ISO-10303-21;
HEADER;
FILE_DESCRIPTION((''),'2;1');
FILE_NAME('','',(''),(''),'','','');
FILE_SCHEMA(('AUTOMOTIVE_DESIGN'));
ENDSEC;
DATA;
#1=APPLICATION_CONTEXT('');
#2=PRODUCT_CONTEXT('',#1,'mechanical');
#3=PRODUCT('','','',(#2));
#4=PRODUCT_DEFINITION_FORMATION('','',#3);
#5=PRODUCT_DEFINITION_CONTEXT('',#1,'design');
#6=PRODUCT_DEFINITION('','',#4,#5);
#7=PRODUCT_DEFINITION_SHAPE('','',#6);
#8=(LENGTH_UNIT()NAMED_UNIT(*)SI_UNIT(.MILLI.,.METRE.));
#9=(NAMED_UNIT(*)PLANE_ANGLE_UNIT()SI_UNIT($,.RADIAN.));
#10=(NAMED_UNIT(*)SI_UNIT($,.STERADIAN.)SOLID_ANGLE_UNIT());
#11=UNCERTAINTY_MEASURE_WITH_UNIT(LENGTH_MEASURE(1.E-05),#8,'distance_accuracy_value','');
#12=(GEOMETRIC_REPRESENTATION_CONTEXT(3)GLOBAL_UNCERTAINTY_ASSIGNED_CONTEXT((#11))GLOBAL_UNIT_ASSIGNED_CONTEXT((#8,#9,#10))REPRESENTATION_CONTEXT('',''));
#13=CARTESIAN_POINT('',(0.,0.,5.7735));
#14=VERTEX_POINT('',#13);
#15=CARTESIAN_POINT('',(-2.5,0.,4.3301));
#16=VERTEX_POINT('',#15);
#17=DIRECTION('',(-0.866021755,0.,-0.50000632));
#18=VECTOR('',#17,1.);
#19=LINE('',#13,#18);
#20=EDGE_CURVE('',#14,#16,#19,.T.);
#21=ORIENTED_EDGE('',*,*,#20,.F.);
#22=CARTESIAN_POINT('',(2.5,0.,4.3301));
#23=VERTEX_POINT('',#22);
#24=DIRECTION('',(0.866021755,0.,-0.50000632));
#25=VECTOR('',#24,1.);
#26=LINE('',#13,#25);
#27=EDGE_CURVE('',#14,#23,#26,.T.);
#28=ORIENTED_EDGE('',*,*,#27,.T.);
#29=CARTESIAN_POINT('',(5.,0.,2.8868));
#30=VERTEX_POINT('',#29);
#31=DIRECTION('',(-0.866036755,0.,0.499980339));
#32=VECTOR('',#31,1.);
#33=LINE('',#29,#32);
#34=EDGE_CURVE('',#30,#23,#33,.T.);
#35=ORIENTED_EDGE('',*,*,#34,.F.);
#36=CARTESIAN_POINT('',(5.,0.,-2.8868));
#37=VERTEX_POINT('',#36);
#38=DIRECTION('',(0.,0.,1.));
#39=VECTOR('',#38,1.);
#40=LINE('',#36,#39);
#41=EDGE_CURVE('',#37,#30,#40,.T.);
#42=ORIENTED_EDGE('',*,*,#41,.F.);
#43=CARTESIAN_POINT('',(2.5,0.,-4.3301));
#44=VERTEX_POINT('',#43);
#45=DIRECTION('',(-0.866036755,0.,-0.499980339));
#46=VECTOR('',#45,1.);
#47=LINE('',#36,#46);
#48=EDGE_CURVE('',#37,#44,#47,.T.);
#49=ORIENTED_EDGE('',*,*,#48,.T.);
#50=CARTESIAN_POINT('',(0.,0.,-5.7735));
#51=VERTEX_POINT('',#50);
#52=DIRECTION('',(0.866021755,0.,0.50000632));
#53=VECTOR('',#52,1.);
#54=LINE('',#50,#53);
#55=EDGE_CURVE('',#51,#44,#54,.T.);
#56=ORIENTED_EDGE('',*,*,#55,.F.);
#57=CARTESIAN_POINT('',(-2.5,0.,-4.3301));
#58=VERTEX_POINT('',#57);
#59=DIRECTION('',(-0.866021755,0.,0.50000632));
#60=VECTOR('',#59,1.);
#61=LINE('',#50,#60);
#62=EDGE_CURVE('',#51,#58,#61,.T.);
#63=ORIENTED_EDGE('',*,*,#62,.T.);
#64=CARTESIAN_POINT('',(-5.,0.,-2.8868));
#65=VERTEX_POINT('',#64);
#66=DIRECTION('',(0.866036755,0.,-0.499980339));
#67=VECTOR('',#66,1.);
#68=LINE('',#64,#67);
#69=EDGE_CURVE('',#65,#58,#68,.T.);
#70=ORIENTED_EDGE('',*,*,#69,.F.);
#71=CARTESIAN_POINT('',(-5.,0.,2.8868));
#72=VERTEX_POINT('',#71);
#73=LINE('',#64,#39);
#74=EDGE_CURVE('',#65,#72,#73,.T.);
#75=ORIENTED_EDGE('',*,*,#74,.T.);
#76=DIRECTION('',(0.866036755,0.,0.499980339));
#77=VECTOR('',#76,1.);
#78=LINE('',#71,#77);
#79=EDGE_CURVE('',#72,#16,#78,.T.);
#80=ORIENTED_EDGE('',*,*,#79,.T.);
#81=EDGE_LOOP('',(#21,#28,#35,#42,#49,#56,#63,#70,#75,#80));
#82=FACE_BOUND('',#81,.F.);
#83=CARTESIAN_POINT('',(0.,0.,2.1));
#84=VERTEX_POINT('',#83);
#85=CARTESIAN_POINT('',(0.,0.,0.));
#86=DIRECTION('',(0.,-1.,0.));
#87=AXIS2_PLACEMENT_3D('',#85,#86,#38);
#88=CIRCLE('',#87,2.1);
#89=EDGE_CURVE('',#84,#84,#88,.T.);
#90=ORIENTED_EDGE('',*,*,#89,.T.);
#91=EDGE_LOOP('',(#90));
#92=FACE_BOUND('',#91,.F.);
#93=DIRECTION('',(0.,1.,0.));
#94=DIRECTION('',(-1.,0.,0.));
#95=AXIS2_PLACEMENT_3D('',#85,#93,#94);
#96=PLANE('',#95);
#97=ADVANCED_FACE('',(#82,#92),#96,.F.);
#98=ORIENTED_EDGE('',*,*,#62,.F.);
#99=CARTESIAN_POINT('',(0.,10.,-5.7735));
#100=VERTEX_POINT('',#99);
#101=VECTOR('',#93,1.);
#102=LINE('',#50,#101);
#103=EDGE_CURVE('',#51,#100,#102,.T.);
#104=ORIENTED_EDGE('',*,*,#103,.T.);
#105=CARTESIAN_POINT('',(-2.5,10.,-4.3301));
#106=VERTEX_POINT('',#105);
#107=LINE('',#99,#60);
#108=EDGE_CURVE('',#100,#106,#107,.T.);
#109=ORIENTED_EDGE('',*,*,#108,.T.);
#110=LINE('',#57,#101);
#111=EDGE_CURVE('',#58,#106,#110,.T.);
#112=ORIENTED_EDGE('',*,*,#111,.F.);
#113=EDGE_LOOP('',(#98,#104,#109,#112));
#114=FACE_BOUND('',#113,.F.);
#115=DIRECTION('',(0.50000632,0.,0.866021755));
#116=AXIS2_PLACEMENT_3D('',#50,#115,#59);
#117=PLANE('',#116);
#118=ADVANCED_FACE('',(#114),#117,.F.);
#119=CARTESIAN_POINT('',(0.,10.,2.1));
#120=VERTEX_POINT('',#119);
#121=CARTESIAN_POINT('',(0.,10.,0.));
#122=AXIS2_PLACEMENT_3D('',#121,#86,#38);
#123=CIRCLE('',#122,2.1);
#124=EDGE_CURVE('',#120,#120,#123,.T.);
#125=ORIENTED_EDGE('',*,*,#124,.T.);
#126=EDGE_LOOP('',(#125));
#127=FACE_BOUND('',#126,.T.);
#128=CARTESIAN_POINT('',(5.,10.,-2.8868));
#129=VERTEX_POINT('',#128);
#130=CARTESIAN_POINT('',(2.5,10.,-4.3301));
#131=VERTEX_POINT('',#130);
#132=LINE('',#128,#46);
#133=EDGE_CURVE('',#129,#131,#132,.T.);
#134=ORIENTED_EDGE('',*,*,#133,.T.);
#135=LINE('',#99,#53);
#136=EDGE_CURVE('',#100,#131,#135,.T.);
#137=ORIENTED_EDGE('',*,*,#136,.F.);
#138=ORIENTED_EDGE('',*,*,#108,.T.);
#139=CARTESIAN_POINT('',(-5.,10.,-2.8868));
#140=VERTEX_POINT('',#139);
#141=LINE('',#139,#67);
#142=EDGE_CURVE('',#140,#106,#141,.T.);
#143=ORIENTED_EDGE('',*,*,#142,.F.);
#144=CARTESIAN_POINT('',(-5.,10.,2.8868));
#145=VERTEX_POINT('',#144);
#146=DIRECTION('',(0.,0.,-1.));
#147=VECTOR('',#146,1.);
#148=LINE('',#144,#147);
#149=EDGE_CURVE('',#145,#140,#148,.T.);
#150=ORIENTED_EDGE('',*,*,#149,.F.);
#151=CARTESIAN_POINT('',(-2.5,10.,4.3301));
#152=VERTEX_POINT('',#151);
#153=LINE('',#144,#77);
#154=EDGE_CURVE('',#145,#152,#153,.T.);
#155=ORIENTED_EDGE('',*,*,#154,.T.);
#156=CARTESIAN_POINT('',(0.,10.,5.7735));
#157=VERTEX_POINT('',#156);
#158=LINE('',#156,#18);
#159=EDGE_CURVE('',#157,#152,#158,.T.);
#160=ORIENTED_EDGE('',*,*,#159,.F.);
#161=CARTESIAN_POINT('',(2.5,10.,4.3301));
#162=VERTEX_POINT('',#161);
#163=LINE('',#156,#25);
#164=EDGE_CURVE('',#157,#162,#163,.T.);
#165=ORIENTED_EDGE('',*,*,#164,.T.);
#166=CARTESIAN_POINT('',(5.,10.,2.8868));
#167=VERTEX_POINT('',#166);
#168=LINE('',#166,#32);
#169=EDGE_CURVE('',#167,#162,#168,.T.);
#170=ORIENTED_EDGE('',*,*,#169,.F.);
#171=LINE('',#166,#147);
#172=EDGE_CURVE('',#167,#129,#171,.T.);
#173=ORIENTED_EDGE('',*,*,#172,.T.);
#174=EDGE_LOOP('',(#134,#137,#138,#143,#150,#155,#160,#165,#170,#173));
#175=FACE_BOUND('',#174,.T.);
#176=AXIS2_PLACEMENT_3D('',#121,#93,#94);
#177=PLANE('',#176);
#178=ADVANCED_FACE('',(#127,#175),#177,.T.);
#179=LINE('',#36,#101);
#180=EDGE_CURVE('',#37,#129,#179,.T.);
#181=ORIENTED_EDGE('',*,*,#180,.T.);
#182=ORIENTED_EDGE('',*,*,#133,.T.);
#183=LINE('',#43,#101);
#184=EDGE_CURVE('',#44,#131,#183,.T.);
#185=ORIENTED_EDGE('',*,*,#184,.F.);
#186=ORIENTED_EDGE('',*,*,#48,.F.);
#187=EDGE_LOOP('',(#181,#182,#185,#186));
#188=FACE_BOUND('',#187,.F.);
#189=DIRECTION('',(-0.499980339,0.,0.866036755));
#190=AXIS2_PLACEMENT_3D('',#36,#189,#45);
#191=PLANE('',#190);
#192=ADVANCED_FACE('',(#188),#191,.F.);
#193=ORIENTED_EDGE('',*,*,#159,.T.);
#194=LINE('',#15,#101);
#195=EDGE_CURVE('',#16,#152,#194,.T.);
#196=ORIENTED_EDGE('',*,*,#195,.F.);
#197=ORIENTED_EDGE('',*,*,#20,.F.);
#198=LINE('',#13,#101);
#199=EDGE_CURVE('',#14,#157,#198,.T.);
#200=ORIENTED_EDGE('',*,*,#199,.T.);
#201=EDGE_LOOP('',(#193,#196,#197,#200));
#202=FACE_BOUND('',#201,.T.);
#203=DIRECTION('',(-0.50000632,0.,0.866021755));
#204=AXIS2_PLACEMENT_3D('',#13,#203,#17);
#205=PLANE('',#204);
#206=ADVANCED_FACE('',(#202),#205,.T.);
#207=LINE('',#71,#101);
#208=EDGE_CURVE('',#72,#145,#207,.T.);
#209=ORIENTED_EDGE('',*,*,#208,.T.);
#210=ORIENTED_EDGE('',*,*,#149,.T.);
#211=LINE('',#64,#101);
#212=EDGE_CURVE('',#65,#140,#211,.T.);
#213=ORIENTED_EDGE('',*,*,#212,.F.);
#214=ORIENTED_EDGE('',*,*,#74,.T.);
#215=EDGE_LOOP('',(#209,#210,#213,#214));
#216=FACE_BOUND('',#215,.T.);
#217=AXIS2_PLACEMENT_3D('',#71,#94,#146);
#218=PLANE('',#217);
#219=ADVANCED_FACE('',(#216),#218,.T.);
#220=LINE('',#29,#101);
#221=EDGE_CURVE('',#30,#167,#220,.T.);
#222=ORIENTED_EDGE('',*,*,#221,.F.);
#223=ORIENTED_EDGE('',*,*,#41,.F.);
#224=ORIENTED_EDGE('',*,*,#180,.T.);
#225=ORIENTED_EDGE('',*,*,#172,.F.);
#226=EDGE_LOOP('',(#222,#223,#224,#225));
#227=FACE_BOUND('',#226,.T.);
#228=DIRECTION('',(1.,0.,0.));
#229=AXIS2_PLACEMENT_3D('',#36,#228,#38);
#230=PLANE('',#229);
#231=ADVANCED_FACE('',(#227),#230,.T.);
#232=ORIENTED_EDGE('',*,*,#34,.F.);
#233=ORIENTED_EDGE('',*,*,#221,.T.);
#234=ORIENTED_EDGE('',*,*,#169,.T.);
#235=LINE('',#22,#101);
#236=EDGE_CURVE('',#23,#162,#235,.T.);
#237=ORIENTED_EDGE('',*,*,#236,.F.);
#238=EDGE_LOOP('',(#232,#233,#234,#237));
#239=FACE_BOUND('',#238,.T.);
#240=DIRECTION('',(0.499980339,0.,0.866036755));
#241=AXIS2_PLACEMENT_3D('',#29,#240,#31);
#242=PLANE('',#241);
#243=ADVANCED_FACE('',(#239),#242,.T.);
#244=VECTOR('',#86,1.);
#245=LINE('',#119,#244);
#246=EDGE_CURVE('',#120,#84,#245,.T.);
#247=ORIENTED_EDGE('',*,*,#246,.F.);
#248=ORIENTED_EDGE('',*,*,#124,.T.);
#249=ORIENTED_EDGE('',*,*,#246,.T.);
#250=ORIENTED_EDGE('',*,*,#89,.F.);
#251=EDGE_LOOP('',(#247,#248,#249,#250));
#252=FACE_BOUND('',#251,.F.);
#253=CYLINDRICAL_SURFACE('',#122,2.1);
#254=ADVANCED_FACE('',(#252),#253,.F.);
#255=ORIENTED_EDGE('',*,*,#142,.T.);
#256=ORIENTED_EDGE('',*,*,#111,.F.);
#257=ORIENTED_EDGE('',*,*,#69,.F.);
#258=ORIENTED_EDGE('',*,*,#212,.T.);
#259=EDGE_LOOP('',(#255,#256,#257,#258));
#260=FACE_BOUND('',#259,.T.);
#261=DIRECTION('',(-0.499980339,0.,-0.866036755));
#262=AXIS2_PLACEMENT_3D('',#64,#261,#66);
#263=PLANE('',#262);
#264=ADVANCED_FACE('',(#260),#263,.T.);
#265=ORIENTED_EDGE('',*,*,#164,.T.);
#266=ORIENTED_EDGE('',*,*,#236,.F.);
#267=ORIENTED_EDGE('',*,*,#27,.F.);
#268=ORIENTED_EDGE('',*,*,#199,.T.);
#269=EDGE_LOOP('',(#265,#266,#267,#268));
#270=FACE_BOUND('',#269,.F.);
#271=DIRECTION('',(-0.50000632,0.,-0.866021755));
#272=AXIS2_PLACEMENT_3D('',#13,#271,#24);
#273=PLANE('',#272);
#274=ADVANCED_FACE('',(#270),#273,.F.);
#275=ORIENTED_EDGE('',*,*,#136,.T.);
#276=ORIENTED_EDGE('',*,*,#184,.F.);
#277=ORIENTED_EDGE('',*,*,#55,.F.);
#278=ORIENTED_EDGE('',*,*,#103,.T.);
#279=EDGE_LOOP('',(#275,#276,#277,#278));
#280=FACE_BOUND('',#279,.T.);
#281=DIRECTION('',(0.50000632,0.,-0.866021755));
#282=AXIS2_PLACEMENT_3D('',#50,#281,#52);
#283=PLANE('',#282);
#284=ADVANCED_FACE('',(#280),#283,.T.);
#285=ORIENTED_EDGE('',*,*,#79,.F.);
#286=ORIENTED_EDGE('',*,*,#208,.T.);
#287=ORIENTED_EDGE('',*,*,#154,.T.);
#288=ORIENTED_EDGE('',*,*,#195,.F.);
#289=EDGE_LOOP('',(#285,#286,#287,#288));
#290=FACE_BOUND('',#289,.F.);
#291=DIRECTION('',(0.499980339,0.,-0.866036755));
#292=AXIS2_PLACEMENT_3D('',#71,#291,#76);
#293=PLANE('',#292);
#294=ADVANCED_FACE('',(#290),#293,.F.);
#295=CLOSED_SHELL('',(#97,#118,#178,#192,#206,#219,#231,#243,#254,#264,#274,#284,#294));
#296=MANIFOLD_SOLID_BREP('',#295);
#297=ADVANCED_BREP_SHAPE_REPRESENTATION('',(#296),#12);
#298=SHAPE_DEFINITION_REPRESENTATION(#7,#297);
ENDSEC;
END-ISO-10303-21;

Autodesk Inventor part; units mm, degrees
ref_plane "YZ Plane" through (0, 0, 0) normal (1, 0, 0) x (0, 1, 0)
ref_plane "XZ Plane" through (0, 0, 0) normal (0, 1, 0) x (-1, 0, 0)
ref_plane "XY Plane" through (0, 0, 0) normal (0, 0, 1) x (1, 0, 0)
sketch "スケッチ1" plane through (0, 0, 0) normal (0, 1, 0) x (-1, 0, 0)
  circle A0 centre (0, 0) radius 5.7735
  line L0 (0, 0) -> (5, -2.8868)
  line L1 (5, -2.8868) -> (5, 0)
  line L2 (0, 0) -> (5, 0)
  line L3 (5, 2.8868) -> (5, 0)
  line L4 (5, 2.8868) -> (2.5, 4.3301)
  line L5 (0, 5.7735) -> (2.5, 4.3301)
  line L6 (0, 5.7735) -> (-2.5, 4.3301)
  line L7 (-5, 2.8868) -> (-2.5, 4.3301)
  line L8 (-5, 2.8868) -> (-5, 0)
  line L9 (-5, -2.8868) -> (-5, 0)
  line L10 (-5, -2.8868) -> (-2.5, -4.3301)
  line L11 (0, -5.7735) -> (-2.5, -4.3301)
  line L12 (0, -5.7735) -> (2.5, -4.3301)
  line L13 (5, -2.8868) -> (2.5, -4.3301)
  dimension "d1" = 5
  dimension "d2" = 30
  dimension "d5" = 360
extrude "押し出し1" add sketch "スケッチ1" along normal blind 10 contours L3 L2 L0 L13 L12 L11 L10 L9 L8 L7 L6 L5 L4 | L0 L2 L1
sketch "スケッチ2" plane through (0, 10, 0) normal (0, 1, 0) x (1, 0, 0)
  point P0 (0, 0)
  point P1 (0, 0)
hole "穴1" at (0, 10, 0) direction (0, -1, 0) diameter 4.2 end through all
properties part number "basespacer1" material "アルミニウム 6061"
